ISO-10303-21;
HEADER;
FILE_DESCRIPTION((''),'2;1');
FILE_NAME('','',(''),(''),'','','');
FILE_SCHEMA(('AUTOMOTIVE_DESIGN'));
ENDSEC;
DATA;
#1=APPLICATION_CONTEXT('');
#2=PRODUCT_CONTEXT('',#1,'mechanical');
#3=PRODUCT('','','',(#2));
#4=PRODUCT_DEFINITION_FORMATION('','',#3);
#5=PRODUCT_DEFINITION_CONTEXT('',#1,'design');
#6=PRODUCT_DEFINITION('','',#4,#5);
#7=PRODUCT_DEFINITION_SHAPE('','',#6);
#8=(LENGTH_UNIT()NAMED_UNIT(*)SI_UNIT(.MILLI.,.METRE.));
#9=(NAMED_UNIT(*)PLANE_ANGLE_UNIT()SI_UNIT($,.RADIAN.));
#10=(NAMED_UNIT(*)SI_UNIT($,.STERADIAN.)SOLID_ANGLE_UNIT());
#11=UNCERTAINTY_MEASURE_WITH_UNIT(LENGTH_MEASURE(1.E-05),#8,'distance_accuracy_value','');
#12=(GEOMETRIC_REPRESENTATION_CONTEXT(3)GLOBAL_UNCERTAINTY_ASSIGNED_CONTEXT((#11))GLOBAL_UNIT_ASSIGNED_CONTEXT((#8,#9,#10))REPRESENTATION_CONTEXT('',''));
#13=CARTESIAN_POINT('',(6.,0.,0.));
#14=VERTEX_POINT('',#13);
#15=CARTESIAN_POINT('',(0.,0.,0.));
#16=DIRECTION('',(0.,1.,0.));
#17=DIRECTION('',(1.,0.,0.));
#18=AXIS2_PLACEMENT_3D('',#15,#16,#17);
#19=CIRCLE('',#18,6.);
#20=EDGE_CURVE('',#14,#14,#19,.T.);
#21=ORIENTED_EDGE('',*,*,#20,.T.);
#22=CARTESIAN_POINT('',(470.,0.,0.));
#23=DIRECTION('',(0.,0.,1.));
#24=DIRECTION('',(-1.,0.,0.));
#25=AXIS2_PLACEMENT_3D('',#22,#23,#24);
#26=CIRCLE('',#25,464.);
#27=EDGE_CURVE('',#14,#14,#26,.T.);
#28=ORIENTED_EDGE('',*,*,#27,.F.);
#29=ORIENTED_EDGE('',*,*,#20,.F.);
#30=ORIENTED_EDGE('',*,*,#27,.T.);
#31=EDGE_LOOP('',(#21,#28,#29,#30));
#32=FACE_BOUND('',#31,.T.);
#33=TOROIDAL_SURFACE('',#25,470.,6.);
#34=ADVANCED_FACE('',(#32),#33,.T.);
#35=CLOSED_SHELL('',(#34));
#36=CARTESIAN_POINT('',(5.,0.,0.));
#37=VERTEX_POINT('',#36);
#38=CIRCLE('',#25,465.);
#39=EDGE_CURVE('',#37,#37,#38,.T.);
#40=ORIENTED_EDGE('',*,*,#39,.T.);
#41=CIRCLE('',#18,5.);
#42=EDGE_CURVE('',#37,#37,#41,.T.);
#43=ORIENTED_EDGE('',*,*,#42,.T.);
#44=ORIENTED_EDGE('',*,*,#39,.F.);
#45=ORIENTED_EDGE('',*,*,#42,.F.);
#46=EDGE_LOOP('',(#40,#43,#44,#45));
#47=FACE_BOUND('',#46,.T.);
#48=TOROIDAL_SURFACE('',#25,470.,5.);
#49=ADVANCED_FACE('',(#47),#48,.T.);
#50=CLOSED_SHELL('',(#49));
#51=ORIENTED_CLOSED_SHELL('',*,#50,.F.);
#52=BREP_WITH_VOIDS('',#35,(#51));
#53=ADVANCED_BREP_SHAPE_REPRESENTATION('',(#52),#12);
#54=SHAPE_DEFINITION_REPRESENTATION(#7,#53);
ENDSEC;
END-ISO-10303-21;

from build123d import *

# Parameters (mm, degrees)
SKETCH1_R   = 6
SKETCH1_R_2 = 5


with BuildPart() as part:
    # Sketch1 → Revolve1 (revolve)
    with BuildSketch(Plane(origin=(0, 0, 0), x_dir=(1, 0, 0), z_dir=(0, 1, 0))):
        Circle(SKETCH1_R)
        Circle(SKETCH1_R_2, mode=Mode.SUBTRACT)
    revolve(axis=Axis((470, 0, -23.804468453), (0, 0, 1)))


solid = part.part
